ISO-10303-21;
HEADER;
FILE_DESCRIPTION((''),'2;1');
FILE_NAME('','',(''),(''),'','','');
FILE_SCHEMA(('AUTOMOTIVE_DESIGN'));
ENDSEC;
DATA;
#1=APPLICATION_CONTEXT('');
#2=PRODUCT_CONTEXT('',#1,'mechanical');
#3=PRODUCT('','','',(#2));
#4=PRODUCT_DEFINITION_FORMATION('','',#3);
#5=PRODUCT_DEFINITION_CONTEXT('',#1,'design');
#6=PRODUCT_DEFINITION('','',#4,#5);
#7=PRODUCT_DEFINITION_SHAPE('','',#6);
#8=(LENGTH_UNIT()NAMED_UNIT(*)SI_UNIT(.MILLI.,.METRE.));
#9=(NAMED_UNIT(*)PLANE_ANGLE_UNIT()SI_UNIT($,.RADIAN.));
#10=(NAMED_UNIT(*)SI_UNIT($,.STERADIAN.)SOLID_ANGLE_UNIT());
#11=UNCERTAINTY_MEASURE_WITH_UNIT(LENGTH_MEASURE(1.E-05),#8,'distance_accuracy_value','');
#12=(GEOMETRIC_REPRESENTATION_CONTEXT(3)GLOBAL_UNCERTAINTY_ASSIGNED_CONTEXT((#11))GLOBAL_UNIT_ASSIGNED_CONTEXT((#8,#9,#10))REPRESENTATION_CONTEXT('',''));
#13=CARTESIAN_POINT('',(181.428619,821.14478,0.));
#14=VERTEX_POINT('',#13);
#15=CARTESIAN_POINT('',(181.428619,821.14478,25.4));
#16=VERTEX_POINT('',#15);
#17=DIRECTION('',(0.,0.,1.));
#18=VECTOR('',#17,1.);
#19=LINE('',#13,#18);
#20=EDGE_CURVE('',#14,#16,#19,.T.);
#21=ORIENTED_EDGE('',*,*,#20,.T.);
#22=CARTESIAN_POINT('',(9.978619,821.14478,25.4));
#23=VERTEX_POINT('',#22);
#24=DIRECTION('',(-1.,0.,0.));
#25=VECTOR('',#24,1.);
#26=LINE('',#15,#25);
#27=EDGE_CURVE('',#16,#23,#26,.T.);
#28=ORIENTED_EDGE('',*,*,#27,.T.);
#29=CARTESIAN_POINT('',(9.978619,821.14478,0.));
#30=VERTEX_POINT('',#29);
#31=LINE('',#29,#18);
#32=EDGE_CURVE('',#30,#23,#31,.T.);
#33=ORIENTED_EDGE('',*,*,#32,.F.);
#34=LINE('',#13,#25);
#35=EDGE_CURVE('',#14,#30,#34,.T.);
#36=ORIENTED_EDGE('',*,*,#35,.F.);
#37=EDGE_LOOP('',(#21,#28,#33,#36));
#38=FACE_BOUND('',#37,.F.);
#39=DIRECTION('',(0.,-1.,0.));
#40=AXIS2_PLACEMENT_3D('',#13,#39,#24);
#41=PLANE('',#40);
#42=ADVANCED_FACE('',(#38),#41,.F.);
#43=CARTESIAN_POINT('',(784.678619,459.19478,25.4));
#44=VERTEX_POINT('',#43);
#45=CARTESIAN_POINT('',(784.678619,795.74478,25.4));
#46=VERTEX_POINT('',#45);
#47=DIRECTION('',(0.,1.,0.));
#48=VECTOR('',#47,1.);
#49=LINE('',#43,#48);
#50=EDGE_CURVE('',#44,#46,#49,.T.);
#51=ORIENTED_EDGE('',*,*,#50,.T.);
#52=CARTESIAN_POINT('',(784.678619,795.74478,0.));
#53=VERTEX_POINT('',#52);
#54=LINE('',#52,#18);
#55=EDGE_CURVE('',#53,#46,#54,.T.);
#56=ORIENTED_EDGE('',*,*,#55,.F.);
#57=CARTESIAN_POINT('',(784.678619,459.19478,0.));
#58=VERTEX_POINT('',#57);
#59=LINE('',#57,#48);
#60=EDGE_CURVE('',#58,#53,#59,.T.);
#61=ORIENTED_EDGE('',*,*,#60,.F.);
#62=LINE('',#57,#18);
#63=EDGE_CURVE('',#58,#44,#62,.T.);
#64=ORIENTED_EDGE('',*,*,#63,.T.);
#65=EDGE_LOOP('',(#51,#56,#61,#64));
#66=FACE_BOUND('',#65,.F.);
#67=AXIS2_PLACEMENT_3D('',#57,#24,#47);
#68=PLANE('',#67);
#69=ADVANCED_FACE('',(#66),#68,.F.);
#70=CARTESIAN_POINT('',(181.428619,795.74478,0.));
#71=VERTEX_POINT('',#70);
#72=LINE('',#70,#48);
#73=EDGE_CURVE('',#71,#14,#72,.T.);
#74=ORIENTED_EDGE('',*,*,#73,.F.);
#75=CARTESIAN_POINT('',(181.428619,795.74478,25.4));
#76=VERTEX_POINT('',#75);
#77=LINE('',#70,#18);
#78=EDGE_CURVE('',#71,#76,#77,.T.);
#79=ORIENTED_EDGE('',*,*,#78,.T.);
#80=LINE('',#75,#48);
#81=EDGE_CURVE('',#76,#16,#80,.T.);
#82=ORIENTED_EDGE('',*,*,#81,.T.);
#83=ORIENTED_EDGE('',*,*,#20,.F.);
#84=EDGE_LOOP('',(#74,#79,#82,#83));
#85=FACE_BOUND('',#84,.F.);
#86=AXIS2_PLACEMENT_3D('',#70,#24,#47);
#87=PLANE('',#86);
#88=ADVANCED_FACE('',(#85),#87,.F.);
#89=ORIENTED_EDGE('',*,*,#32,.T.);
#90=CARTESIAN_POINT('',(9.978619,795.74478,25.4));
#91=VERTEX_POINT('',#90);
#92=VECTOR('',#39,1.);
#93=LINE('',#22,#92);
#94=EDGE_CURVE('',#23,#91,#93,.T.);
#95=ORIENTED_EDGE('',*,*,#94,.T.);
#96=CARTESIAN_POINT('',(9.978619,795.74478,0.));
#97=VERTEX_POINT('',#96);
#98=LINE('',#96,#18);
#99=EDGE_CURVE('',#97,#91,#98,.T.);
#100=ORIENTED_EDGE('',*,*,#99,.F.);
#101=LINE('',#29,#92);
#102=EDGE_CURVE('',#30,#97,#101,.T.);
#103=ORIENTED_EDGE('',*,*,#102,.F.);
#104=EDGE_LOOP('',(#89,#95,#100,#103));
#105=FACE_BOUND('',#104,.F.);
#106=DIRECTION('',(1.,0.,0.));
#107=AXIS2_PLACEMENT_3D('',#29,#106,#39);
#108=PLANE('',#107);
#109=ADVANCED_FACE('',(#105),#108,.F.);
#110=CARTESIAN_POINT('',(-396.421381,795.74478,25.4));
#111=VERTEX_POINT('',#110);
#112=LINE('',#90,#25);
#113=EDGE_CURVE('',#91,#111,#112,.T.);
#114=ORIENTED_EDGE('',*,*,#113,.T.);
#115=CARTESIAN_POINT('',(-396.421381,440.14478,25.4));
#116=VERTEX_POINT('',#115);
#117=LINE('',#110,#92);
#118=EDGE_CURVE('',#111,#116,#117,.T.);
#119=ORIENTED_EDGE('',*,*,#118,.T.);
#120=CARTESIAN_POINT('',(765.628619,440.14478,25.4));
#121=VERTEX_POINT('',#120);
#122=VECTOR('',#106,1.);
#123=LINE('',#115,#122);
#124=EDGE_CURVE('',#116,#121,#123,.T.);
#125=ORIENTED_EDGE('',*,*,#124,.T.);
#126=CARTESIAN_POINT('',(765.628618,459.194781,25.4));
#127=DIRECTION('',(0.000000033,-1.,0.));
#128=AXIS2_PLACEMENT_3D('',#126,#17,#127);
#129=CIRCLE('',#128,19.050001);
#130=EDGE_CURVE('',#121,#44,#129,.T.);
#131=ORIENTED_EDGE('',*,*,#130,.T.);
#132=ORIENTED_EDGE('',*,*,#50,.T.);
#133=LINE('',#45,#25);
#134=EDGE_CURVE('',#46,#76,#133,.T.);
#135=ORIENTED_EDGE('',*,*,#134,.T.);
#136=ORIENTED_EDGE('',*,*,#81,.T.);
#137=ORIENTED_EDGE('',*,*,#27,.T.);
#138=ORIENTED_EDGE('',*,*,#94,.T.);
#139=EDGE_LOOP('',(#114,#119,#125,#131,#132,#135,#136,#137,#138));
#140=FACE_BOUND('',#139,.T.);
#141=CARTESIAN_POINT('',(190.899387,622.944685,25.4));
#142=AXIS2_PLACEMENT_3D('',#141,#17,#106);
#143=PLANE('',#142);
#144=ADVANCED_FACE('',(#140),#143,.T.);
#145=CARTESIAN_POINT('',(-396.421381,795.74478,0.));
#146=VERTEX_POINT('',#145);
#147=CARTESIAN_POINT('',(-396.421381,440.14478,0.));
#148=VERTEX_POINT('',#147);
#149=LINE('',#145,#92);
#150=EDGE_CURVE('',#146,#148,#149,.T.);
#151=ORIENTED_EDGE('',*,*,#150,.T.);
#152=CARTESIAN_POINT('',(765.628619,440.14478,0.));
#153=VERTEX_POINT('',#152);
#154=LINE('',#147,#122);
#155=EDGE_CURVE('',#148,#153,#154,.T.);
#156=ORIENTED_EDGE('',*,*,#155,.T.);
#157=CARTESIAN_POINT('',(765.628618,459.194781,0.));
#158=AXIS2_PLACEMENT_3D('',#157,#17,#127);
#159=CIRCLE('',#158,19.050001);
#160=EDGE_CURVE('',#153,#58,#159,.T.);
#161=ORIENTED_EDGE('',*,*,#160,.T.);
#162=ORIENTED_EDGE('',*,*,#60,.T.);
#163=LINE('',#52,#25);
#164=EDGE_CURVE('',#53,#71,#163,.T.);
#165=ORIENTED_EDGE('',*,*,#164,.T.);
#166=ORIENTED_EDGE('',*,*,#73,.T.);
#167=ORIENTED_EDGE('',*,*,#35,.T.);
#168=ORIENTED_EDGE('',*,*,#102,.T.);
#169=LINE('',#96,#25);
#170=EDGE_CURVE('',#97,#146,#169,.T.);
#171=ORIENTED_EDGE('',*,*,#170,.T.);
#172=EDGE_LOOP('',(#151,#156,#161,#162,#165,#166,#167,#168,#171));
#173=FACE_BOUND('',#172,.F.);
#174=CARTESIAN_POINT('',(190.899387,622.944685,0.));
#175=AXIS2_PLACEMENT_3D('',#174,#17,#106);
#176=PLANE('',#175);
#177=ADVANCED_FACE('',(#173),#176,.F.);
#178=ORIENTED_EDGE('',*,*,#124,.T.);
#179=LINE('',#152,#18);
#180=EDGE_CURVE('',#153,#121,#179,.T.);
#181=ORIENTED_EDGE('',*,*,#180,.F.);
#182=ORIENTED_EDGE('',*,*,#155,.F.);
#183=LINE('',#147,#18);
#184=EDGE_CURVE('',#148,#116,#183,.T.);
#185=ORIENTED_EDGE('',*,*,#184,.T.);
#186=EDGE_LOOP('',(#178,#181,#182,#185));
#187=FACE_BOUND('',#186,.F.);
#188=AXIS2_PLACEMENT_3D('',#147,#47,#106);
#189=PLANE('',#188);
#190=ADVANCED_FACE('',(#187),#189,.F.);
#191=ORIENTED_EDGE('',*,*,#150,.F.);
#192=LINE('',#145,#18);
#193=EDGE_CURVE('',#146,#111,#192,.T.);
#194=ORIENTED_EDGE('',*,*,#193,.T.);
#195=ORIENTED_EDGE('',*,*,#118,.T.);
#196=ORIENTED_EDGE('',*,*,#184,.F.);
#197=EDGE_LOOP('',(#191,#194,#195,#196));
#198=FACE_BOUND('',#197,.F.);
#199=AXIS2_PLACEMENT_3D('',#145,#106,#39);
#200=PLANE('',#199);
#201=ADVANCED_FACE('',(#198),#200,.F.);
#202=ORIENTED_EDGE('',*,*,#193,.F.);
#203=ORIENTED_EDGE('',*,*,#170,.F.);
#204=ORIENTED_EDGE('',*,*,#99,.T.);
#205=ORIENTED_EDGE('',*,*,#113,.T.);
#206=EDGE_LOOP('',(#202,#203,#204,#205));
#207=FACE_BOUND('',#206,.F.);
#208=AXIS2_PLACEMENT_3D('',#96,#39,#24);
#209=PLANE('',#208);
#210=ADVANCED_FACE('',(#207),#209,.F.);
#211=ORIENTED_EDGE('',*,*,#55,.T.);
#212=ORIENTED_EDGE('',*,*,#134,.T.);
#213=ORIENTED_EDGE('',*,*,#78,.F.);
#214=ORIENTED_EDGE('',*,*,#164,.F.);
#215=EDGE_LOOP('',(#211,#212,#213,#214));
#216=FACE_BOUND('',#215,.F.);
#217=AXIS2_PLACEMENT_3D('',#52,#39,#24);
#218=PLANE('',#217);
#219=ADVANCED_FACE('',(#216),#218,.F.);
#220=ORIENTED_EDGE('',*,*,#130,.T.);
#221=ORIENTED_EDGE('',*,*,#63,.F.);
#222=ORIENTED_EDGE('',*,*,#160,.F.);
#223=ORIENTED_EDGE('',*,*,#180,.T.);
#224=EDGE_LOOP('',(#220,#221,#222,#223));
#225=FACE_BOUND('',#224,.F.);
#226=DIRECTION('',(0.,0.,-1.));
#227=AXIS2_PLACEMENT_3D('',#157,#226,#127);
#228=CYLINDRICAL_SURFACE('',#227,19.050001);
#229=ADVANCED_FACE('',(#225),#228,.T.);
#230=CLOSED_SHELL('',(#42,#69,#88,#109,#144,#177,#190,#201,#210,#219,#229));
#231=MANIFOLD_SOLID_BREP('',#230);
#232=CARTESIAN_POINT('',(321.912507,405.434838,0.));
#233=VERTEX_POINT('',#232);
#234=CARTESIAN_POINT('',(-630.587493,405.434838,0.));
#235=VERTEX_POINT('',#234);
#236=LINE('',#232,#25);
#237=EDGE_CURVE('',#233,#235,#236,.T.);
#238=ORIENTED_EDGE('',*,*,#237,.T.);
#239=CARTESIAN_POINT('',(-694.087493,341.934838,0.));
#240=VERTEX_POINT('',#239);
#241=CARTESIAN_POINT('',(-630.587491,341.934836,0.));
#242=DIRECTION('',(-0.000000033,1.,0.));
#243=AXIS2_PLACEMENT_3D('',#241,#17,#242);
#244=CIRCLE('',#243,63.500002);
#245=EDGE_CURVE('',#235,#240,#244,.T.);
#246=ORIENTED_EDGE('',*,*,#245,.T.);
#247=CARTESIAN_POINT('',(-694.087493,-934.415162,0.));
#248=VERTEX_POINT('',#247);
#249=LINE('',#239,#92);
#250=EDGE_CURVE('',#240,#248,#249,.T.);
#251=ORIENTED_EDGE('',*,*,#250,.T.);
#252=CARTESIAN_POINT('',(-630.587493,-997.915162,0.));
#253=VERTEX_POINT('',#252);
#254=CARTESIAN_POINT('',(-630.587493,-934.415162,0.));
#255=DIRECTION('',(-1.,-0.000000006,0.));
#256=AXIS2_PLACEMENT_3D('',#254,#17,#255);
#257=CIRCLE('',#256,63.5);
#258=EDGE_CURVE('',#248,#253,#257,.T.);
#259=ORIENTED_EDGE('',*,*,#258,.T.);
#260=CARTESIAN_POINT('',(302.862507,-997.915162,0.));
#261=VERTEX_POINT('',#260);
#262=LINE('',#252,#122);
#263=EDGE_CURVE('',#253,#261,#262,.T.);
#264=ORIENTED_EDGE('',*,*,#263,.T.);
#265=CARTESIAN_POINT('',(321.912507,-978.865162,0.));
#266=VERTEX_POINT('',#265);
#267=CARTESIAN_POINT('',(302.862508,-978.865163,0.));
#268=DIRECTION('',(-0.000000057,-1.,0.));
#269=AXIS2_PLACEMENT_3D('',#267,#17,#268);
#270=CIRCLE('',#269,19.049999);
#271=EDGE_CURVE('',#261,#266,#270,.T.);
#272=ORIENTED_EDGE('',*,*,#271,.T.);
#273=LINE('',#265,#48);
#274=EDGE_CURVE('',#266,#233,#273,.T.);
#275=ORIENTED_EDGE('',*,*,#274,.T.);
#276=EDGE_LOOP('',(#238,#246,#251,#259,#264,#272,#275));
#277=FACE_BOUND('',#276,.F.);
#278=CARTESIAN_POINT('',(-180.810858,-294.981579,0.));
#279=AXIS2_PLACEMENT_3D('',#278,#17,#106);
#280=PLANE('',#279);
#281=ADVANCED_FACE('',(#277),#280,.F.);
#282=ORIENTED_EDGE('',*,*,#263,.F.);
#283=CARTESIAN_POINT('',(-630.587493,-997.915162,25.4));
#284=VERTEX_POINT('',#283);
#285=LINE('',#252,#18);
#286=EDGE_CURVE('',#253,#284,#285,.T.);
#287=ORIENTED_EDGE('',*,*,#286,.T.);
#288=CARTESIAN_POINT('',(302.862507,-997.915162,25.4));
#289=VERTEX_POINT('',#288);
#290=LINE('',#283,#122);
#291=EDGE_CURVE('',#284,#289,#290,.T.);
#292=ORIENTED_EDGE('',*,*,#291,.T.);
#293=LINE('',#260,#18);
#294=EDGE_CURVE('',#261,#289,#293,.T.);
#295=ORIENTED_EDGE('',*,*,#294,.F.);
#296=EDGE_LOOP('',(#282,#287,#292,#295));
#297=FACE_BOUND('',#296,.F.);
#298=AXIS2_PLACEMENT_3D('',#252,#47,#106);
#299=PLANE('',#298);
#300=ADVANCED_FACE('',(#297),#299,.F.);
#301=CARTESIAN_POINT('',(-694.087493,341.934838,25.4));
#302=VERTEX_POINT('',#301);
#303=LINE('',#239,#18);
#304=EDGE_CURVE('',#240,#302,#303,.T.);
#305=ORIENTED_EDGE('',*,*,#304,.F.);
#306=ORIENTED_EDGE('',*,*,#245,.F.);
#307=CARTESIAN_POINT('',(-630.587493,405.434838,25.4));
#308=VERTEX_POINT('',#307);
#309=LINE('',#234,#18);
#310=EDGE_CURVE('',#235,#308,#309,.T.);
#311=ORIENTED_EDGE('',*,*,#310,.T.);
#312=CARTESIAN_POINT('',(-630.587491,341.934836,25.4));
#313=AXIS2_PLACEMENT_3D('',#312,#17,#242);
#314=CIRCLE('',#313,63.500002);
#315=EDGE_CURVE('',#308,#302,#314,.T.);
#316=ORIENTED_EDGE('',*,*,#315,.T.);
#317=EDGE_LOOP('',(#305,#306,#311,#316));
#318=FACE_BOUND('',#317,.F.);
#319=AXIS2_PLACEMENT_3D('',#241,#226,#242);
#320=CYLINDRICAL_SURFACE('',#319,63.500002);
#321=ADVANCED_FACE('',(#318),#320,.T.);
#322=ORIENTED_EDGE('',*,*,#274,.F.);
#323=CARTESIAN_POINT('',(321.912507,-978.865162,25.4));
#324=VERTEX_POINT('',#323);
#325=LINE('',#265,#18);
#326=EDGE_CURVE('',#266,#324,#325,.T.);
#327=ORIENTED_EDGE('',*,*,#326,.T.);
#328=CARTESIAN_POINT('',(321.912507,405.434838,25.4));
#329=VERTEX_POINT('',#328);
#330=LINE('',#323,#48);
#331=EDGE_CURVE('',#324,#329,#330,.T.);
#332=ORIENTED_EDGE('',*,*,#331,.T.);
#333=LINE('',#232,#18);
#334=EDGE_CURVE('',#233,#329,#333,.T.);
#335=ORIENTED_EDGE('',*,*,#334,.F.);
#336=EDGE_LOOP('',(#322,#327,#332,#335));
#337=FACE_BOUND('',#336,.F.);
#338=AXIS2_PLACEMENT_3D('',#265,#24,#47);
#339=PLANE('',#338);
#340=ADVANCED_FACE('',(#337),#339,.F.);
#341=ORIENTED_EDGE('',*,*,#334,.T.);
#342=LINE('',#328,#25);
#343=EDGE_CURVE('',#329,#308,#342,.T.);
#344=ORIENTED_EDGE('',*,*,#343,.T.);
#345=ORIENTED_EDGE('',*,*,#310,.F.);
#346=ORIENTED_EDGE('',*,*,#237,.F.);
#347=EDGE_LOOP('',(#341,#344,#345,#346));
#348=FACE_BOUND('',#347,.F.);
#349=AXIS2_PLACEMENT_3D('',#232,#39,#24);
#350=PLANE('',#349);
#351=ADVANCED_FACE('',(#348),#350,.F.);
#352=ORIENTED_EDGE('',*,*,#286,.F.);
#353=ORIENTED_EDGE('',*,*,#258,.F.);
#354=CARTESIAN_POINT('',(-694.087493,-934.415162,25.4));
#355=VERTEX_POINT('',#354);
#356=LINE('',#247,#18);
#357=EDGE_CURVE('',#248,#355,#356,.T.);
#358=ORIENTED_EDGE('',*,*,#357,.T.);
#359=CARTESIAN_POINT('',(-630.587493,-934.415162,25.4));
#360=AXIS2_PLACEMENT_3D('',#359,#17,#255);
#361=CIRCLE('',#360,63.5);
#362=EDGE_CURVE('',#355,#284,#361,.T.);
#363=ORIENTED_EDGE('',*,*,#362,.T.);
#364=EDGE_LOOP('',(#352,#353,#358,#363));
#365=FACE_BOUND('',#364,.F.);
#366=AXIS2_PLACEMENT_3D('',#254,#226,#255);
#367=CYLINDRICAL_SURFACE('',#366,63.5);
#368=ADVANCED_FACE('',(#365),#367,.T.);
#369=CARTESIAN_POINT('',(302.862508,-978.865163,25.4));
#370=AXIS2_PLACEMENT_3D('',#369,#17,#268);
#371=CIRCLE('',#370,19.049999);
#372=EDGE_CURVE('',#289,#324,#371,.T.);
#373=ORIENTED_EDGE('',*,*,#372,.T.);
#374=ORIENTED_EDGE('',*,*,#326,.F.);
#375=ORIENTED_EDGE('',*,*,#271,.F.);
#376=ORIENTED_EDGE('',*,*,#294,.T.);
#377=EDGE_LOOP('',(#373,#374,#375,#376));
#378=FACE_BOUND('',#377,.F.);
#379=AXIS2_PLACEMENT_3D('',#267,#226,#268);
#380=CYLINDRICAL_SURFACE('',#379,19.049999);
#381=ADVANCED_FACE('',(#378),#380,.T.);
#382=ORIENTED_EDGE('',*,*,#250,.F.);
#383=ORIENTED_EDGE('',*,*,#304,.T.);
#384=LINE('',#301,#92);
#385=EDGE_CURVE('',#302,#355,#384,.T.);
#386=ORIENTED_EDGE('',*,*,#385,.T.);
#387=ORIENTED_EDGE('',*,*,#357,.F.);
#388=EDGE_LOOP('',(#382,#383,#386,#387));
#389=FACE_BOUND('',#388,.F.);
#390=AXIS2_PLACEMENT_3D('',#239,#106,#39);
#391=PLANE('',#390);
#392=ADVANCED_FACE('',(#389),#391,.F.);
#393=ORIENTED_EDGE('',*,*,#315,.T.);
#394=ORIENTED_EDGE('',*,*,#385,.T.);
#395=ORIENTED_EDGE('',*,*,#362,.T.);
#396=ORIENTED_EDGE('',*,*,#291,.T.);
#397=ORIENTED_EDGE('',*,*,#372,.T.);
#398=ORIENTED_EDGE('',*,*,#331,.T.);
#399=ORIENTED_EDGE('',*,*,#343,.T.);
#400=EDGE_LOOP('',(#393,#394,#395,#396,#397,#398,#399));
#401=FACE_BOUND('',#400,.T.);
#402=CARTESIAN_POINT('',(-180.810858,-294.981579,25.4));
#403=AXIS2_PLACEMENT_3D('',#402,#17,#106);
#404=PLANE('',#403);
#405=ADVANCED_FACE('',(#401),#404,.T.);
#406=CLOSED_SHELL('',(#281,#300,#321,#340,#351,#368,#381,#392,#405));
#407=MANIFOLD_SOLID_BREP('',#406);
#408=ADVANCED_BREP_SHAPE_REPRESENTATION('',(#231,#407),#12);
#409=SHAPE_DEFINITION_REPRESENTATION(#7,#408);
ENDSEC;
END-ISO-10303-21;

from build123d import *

# Parameters (mm, degrees)
F1_DEPTH = 25.4
F3_DEPTH = 25.4


with BuildPart() as f1:
    # F0 (on Top) → F1 (new body)
    with BuildSketch(Plane.XY):
        with BuildLine():
            ThreePointArc((-630.587493, 405.434838), (-675.488773, 386.836118), (-694.087493, 341.934838))
            Line((-694.087493, 341.934838), (-694.087493, -934.415162))
            ThreePointArc((-694.087493, -934.415162), (-675.488773, -979.316443), (-630.587493, -997.915162))
            Line((-630.587493, -997.915162), (302.862507, -997.915162))
            ThreePointArc((302.862507, -997.915162), (316.332891, -992.335547), (321.912507, -978.865162))
            Line((321.912507, -978.865162), (321.912507, 405.434838))
            Line((321.912507, 405.434838), (-389.287493, 405.434838))
            Line((-389.287493, 405.434838), (-630.587493, 405.434838))
        make_face()
    extrude(amount=F1_DEPTH)


with BuildPart() as f3:
    # F2 (on Top) → F3 (new body)
    with BuildSketch(Plane.XY):
        with BuildLine():
            Line((-396.421381, 440.14478), (208.255641, 440.14478))
            Line((208.255641, 440.14478), (765.628619, 440.14478))
            ThreePointArc((765.628619, 440.14478), (779.099003, 445.724396), (784.678619, 459.19478))
            Line((784.678619, 459.19478), (784.678619, 795.74478))
            Line((784.678619, 795.74478), (181.428619, 795.74478))
            Line((181.428619, 795.74478), (181.428619, 821.14478))
            Line((181.428619, 821.14478), (9.978619, 821.14478))
            Line((9.978619, 821.14478), (9.978619, 795.74478))
            Line((9.978619, 795.74478), (-396.421381, 795.74478))
            Line((-396.421381, 795.74478), (-396.421381, 440.14478))
        make_face()
    extrude(amount=F3_DEPTH)


solid = Compound([f1.part, f3.part])
